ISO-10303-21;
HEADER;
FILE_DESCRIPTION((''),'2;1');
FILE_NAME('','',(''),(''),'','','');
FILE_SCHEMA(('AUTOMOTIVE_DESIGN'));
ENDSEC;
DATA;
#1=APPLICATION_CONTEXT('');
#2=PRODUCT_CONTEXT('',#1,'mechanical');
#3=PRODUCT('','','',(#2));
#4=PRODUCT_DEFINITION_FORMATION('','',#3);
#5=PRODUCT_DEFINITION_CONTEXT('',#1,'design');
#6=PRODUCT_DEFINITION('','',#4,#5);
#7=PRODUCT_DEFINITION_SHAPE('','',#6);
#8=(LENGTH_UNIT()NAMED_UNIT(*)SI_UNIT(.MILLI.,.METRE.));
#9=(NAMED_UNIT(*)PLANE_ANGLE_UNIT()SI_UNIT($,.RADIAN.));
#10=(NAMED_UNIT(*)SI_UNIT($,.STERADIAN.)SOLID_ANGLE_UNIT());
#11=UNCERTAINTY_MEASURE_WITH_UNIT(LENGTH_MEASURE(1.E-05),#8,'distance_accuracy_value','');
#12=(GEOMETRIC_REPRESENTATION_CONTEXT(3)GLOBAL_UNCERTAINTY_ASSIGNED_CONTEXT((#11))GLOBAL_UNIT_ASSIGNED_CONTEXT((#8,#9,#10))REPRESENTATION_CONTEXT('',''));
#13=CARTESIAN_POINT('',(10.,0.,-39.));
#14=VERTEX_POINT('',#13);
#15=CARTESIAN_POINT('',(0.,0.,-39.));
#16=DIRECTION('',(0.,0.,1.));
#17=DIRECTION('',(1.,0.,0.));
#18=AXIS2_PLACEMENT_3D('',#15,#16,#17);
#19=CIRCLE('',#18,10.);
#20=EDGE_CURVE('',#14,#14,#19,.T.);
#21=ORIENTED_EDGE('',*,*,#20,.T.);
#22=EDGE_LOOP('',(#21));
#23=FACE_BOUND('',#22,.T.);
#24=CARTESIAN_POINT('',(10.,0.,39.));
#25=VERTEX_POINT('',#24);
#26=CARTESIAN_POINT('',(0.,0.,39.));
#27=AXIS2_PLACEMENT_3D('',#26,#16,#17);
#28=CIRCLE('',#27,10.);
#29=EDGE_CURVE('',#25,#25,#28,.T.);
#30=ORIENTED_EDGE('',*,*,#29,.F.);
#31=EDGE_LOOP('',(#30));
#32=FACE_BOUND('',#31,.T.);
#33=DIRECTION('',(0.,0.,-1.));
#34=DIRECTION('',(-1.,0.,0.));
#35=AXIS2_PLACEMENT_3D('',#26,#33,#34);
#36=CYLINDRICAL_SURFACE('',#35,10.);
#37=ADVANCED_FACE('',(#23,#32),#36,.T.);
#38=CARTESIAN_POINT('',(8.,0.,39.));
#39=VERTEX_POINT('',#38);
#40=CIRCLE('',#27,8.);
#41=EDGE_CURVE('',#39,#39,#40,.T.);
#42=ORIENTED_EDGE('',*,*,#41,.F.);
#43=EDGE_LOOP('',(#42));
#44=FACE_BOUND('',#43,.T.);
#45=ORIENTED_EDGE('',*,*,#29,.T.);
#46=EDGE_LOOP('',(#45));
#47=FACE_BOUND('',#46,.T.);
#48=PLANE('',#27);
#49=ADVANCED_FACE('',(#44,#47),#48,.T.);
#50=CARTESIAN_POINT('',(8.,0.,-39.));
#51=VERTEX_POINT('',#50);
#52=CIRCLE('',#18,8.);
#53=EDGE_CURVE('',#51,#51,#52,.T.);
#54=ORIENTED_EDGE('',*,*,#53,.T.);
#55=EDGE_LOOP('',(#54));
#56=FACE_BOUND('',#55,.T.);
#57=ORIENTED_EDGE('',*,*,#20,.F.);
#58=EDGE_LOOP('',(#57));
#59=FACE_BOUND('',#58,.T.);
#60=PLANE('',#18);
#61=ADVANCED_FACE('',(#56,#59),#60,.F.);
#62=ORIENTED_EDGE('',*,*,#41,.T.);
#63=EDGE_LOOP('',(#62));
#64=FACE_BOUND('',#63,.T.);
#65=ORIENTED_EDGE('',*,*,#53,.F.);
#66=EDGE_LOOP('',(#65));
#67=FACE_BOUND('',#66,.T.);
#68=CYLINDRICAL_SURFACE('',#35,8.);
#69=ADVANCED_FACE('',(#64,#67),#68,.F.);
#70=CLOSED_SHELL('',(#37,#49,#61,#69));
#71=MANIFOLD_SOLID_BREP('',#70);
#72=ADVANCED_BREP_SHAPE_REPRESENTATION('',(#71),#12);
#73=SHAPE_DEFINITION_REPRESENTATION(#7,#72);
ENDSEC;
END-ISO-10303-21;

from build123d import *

# Parameters (mm, degrees)
ESQUISSE1_R        = 10
ESQUISSE1_R_2      = 8
BOSS_EXTRU_1_DEPTH = 39


with BuildPart() as part:
    # Esquisse1 → Boss.-Extru.1 (new body, symmetric)
    with BuildSketch(Plane.XY):
        Circle(ESQUISSE1_R)
        Circle(ESQUISSE1_R_2, mode=Mode.SUBTRACT)
    extrude(amount=BOSS_EXTRU_1_DEPTH, both=True)


solid = part.part
